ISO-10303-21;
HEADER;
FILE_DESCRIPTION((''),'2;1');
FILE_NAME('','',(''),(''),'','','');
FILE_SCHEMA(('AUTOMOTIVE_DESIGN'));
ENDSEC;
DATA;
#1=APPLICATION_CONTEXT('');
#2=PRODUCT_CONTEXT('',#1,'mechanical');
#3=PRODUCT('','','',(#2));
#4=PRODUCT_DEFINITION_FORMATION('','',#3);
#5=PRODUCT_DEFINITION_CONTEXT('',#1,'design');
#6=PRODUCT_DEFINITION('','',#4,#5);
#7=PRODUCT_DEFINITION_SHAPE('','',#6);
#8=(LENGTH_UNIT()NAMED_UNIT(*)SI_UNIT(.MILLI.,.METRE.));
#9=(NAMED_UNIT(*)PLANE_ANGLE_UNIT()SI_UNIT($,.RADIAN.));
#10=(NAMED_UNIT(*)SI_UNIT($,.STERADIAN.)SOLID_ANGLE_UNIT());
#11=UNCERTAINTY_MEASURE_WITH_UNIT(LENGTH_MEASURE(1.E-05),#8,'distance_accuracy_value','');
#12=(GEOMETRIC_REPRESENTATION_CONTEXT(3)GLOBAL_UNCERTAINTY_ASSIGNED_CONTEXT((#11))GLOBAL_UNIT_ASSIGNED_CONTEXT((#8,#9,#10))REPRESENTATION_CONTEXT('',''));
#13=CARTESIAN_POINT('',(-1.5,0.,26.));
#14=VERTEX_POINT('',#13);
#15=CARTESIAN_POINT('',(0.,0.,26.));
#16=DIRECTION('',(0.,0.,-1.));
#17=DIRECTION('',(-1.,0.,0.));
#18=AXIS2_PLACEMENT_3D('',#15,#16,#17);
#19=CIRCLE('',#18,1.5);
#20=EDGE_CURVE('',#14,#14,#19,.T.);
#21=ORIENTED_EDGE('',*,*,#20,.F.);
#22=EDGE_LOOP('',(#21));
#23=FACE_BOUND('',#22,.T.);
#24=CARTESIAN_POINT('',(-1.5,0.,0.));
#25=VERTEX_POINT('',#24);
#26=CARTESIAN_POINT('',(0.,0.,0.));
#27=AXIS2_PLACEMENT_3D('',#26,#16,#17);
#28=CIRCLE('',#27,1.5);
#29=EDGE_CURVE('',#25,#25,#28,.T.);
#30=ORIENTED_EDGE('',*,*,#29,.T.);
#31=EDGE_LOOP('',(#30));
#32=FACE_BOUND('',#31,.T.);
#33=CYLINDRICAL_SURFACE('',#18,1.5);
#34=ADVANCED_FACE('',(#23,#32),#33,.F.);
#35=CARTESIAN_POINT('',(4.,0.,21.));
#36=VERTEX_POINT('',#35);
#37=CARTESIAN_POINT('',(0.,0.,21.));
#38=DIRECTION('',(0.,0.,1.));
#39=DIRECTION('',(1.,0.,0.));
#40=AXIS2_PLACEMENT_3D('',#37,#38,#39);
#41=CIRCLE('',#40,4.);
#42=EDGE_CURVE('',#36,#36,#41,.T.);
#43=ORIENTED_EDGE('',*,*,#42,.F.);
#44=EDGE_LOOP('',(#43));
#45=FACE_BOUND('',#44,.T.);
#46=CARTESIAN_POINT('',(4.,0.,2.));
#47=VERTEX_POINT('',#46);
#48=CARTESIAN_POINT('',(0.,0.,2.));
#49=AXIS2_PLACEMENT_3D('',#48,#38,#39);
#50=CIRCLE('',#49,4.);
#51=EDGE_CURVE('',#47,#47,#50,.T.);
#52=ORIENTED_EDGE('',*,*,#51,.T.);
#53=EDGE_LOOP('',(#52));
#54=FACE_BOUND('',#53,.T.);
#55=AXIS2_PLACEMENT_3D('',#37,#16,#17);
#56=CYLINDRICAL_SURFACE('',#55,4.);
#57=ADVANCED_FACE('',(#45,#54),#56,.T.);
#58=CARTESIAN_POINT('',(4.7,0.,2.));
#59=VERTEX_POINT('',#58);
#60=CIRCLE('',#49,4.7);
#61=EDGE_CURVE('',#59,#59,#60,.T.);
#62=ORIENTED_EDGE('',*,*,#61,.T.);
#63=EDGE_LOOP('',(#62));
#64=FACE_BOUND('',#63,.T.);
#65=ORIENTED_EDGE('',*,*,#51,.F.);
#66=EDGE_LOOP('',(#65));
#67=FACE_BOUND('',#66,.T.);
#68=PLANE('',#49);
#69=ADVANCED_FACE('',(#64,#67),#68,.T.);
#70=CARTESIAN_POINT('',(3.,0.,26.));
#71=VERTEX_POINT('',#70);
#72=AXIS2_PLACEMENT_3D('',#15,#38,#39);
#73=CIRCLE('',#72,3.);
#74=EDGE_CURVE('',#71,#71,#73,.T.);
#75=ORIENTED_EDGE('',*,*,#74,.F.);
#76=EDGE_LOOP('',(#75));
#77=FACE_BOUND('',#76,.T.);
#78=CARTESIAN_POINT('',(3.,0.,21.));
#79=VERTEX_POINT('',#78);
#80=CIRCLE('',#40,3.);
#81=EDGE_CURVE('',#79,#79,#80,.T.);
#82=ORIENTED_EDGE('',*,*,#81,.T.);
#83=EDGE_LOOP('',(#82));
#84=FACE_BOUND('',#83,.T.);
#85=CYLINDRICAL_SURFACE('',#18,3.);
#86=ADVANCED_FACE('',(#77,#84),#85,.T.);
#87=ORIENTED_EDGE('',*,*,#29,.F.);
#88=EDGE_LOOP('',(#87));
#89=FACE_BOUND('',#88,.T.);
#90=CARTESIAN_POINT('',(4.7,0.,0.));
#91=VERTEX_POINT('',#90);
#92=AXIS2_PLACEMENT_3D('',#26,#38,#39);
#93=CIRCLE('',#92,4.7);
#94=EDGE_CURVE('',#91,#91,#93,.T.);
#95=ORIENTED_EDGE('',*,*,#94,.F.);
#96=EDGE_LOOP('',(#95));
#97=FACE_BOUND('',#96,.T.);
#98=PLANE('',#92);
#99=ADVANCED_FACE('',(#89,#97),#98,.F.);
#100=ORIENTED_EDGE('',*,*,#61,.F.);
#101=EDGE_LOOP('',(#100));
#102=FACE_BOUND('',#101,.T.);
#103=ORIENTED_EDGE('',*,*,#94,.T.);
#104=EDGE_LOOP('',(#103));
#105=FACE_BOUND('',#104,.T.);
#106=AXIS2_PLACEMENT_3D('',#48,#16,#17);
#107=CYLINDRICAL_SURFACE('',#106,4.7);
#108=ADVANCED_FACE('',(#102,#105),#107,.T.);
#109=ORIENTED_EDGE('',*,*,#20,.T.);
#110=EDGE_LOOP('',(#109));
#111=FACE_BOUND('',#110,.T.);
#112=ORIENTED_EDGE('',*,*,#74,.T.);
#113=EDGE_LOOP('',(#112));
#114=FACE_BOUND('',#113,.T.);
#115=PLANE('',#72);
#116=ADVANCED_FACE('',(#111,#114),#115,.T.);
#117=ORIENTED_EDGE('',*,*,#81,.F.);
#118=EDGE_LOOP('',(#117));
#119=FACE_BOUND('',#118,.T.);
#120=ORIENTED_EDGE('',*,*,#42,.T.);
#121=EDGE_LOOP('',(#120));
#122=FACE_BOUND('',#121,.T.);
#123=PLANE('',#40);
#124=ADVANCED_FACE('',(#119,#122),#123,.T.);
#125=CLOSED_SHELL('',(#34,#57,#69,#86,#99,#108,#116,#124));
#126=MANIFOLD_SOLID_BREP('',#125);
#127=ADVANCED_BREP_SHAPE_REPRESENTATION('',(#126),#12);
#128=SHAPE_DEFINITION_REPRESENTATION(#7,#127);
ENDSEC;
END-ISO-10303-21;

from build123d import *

# Parameters (mm, degrees)
SKETCH1_R          = 4.7
EXTRUDE1_DEPTH     = 2
SKETCH2_R          = 4
EXTRUDE2_DEPTH     = 19
SKETCH3_R          = 3
EXTRUDE3_DEPTH     = 5
SKETCH4_R          = 1.5
CUT_EXTRUDE1_DEPTH = 27


with BuildPart() as part:
    # Sketch1 → Extrude1 (new body)
    with BuildSketch(Plane.XY):
        Circle(SKETCH1_R)
    extrude(amount=EXTRUDE1_DEPTH)

    # Sketch2 → Extrude2 (add)
    with BuildSketch(Plane.XY.offset(2)):
        Circle(SKETCH2_R)
    extrude(amount=EXTRUDE2_DEPTH)

    # Sketch3 → Extrude3 (add)
    with BuildSketch(Plane.XY.offset(21)):
        Circle(SKETCH3_R)
    extrude(amount=EXTRUDE3_DEPTH)

    # Sketch4 → Cut-Extrude1 (cut, through all)
    with BuildSketch(Plane(origin=(0, 0, 0), x_dir=(-1, 0, 0), z_dir=(0, 0, -1))):
        Circle(SKETCH4_R)
    extrude(amount=-CUT_EXTRUDE1_DEPTH, mode=Mode.SUBTRACT)


solid = part.part
